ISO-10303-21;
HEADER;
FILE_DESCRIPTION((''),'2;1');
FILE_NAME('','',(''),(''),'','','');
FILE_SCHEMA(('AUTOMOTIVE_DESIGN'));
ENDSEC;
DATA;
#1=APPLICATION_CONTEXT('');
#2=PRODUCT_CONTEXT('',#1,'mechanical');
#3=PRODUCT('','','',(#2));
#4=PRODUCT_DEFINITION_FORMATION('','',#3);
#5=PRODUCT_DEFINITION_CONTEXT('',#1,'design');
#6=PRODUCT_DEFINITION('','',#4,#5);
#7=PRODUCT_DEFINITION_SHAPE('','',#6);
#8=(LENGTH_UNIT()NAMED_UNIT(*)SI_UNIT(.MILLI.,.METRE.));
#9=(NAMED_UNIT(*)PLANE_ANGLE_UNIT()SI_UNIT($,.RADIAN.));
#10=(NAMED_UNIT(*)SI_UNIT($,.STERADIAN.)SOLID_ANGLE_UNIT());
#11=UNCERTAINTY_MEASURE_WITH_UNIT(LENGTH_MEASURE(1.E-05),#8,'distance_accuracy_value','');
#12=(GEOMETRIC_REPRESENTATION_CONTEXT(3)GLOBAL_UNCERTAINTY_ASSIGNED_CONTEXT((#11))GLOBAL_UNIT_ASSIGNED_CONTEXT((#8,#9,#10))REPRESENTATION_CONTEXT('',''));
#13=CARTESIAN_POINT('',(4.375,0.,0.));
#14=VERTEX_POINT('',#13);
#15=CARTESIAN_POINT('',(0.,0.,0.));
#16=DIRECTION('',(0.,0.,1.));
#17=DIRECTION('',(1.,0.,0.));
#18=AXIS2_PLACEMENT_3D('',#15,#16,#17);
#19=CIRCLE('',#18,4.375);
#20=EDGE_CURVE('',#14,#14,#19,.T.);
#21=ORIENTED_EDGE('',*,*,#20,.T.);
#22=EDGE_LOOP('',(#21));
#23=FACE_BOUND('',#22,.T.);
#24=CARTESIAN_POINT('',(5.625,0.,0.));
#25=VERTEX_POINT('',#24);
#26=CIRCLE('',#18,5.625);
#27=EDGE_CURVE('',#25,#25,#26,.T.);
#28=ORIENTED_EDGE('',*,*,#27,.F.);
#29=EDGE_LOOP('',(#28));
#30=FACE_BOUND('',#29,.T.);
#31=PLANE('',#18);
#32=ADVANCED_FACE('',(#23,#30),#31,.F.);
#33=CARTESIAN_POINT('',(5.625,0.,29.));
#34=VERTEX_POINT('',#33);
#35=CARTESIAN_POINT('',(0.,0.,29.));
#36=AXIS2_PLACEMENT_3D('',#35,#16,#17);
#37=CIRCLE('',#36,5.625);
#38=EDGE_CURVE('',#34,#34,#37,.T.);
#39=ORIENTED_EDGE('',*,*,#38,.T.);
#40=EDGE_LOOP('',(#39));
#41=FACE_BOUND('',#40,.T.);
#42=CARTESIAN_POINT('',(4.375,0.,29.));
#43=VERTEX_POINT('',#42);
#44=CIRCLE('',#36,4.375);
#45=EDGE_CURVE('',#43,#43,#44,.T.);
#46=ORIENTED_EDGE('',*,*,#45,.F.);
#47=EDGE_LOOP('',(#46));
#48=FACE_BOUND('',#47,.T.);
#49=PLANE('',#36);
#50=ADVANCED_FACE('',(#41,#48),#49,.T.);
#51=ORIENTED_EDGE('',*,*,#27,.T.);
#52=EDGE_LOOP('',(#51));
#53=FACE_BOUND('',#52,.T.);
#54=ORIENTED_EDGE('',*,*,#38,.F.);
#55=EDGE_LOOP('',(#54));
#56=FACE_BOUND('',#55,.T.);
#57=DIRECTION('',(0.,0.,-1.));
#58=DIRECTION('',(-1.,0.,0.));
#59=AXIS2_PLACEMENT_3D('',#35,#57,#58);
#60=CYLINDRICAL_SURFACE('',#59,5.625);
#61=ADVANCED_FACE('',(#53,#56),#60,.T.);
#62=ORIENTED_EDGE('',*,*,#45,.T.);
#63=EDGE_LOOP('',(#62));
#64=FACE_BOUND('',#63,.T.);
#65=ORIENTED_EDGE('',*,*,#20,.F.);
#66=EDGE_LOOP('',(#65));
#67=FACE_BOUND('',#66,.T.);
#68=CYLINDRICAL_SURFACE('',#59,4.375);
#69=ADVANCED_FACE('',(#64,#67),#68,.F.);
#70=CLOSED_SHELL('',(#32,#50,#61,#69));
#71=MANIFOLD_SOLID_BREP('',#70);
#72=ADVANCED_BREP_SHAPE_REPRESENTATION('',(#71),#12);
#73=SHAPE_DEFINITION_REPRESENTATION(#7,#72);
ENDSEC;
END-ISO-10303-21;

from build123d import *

# Parameters (mm, degrees)
ESQUISSE1_R      = 5.625
ESQUISSE1_R_2    = 4.375
EXTRUSION1_DEPTH = 29


with BuildPart() as part:
    # Esquisse1 → Extrusion1 (new body)
    with BuildSketch(Plane.XY):
        Circle(ESQUISSE1_R)
        Circle(ESQUISSE1_R_2, mode=Mode.SUBTRACT)
    extrude(amount=EXTRUSION1_DEPTH)


solid = part.part
